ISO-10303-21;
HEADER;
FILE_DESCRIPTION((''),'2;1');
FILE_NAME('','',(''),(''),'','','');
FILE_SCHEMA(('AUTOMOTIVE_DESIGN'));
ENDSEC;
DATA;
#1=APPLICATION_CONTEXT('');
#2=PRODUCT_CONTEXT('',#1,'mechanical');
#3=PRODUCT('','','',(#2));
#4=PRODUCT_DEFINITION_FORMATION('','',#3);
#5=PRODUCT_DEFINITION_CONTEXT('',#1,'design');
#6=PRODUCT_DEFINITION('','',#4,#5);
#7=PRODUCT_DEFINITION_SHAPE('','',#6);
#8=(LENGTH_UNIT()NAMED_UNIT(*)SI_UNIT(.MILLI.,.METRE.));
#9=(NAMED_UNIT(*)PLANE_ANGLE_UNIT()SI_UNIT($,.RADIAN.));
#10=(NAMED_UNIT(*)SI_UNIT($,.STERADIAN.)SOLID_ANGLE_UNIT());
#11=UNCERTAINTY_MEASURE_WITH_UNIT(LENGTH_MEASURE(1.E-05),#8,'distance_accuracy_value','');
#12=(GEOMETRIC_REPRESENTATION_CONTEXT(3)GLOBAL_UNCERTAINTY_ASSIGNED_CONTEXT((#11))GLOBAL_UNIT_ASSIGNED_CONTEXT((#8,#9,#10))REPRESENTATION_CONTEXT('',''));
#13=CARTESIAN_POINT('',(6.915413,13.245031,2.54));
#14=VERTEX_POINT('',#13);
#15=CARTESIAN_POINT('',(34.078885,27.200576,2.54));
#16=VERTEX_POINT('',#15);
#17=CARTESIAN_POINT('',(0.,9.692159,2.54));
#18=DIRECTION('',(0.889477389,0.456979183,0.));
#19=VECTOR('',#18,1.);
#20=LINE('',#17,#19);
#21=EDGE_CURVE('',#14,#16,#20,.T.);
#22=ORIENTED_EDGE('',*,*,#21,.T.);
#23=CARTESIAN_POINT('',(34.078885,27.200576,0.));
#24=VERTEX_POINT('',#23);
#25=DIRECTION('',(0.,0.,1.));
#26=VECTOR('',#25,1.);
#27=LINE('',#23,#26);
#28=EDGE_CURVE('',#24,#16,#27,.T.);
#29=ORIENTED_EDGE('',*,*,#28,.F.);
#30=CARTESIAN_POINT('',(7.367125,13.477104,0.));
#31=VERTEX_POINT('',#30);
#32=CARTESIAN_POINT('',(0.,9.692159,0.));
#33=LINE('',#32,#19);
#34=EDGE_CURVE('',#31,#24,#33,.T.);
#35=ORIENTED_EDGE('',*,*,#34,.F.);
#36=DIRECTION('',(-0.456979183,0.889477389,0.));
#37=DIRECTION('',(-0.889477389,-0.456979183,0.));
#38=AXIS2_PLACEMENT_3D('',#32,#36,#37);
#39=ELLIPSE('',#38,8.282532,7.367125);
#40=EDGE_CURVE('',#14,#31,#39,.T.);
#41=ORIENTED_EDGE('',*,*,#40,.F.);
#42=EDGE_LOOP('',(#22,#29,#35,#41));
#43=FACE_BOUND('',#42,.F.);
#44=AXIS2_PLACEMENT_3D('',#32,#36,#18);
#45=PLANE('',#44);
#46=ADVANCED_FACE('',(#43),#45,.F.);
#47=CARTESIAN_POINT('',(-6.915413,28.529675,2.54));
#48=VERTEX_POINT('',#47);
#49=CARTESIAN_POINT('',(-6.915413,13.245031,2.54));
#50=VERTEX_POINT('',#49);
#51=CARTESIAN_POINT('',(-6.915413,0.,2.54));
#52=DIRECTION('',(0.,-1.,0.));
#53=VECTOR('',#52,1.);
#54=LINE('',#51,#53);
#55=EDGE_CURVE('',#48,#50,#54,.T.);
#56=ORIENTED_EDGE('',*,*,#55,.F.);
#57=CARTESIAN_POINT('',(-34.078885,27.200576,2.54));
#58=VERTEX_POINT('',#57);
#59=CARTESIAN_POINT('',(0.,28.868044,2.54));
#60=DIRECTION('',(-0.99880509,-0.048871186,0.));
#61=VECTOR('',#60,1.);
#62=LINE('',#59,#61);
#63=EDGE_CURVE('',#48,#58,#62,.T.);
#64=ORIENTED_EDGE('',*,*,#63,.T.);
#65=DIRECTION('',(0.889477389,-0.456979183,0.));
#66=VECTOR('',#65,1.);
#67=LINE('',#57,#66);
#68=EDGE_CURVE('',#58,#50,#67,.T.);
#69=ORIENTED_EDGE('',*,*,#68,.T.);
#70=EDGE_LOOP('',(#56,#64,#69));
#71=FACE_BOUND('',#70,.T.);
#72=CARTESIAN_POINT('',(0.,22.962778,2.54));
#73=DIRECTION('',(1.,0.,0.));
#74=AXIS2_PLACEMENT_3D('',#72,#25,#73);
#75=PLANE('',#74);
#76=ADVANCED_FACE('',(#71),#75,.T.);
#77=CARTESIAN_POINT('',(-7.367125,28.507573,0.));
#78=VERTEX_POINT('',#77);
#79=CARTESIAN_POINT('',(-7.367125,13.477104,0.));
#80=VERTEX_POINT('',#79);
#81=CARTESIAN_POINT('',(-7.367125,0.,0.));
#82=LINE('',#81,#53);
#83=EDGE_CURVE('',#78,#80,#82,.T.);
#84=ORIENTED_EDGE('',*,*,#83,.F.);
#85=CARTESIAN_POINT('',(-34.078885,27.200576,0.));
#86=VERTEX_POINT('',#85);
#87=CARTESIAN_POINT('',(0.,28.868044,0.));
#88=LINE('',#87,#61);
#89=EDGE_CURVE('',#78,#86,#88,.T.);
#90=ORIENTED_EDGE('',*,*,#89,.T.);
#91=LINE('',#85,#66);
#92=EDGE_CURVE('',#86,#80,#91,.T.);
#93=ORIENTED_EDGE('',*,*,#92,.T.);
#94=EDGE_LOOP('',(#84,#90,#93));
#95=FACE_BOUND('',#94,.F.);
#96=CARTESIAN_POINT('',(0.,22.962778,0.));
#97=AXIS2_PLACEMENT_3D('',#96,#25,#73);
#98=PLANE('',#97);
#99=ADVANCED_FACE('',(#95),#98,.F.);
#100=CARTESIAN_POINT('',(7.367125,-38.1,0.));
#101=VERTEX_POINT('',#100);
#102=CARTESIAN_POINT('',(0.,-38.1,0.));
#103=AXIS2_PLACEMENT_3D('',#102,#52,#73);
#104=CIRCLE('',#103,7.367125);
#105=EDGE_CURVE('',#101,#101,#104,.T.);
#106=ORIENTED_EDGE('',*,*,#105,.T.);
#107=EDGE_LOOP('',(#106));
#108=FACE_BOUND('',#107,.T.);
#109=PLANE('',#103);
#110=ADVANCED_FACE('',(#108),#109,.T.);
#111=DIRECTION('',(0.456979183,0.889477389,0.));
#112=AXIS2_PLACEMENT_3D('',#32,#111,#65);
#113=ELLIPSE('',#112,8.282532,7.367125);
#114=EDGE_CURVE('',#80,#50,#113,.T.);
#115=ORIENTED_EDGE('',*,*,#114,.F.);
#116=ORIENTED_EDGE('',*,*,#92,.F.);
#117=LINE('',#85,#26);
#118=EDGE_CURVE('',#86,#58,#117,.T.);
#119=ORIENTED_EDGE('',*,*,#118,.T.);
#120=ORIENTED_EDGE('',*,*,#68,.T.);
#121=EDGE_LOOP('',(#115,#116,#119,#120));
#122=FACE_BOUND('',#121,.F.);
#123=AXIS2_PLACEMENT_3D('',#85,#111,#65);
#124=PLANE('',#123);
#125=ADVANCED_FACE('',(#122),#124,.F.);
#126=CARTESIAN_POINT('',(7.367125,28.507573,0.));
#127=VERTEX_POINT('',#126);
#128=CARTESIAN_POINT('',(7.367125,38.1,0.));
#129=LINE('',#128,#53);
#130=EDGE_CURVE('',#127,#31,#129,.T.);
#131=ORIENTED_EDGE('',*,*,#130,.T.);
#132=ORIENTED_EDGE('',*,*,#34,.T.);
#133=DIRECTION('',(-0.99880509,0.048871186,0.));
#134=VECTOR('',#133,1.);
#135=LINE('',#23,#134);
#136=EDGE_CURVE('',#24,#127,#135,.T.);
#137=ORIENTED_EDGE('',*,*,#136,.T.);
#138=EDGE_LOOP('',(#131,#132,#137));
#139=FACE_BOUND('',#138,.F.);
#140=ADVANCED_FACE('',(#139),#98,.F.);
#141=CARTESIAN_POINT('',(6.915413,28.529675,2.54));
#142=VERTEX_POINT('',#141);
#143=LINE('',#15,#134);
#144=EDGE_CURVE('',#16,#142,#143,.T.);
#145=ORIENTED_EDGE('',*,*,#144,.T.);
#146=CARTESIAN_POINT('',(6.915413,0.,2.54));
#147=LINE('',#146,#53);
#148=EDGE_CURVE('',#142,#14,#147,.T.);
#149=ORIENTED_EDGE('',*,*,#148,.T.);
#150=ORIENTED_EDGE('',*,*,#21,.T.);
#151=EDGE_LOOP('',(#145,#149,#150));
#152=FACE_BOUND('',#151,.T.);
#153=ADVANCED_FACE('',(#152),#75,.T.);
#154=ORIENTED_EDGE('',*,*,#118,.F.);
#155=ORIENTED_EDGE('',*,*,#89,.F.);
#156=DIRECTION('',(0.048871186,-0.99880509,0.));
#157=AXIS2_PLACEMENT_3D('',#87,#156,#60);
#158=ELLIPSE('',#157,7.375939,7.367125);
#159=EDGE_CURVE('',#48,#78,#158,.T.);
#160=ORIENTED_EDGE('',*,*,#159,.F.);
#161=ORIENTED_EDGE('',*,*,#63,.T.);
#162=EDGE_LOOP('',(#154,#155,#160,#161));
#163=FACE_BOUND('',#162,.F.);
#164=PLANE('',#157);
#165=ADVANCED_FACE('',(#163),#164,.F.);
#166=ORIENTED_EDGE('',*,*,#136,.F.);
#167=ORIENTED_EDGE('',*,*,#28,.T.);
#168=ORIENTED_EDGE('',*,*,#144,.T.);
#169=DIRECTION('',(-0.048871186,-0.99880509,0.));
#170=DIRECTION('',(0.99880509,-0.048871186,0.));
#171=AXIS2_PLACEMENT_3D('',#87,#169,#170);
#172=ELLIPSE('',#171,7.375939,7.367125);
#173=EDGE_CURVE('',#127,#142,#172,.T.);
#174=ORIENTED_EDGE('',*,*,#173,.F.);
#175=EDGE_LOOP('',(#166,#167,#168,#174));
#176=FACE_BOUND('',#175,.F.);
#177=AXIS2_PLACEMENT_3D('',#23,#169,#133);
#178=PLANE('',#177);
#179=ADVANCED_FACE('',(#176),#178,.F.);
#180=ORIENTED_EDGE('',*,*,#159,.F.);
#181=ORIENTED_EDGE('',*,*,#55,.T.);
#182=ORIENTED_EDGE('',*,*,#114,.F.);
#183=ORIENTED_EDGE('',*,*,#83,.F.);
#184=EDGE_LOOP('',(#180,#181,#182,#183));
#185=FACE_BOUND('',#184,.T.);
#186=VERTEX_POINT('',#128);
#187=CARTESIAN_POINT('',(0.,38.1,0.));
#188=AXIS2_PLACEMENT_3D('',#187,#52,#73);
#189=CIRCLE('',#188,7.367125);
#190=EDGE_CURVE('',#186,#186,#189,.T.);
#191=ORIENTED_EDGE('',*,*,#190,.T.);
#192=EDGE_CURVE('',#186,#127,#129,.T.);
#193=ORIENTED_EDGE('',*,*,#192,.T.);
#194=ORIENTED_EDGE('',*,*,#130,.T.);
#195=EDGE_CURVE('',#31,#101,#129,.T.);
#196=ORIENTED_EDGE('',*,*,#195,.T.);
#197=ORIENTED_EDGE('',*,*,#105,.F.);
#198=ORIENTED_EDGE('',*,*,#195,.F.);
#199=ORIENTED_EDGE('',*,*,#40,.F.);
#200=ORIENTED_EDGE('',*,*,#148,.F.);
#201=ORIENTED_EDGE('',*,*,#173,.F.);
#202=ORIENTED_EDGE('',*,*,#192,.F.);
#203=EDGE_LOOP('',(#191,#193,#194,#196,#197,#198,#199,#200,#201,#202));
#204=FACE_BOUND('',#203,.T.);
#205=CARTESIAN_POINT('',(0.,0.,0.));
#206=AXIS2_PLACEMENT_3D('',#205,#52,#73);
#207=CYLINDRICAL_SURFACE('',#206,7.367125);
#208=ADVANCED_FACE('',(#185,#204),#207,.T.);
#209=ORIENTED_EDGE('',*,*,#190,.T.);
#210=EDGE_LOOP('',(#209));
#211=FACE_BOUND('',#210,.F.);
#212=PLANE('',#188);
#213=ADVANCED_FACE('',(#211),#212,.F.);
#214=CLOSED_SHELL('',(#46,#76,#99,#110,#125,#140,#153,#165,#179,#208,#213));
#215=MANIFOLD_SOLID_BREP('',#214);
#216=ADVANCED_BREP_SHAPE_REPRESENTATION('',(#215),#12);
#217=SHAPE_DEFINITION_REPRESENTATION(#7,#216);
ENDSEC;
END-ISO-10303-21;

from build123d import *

# Parameters (mm, degrees)
F0_R     = 7.367125
F1_DEPTH = 38.1
F3_DEPTH = 2.54


with BuildPart() as f1:
    # F0 (on Front) → F1 (new body, symmetric)
    with BuildSketch(Plane.XZ):
        Circle(F0_R)
    extrude(amount=F1_DEPTH, both=True)

    # F2 (on Top) → F3 (join)
    with BuildSketch(Plane.XY):
        Polygon((-34.078885, 27.200576), (0, 9.692159), (34.078885, 27.200576), (0, 28.868044), align=None)
    extrude(amount=F3_DEPTH)


solid = f1.part
